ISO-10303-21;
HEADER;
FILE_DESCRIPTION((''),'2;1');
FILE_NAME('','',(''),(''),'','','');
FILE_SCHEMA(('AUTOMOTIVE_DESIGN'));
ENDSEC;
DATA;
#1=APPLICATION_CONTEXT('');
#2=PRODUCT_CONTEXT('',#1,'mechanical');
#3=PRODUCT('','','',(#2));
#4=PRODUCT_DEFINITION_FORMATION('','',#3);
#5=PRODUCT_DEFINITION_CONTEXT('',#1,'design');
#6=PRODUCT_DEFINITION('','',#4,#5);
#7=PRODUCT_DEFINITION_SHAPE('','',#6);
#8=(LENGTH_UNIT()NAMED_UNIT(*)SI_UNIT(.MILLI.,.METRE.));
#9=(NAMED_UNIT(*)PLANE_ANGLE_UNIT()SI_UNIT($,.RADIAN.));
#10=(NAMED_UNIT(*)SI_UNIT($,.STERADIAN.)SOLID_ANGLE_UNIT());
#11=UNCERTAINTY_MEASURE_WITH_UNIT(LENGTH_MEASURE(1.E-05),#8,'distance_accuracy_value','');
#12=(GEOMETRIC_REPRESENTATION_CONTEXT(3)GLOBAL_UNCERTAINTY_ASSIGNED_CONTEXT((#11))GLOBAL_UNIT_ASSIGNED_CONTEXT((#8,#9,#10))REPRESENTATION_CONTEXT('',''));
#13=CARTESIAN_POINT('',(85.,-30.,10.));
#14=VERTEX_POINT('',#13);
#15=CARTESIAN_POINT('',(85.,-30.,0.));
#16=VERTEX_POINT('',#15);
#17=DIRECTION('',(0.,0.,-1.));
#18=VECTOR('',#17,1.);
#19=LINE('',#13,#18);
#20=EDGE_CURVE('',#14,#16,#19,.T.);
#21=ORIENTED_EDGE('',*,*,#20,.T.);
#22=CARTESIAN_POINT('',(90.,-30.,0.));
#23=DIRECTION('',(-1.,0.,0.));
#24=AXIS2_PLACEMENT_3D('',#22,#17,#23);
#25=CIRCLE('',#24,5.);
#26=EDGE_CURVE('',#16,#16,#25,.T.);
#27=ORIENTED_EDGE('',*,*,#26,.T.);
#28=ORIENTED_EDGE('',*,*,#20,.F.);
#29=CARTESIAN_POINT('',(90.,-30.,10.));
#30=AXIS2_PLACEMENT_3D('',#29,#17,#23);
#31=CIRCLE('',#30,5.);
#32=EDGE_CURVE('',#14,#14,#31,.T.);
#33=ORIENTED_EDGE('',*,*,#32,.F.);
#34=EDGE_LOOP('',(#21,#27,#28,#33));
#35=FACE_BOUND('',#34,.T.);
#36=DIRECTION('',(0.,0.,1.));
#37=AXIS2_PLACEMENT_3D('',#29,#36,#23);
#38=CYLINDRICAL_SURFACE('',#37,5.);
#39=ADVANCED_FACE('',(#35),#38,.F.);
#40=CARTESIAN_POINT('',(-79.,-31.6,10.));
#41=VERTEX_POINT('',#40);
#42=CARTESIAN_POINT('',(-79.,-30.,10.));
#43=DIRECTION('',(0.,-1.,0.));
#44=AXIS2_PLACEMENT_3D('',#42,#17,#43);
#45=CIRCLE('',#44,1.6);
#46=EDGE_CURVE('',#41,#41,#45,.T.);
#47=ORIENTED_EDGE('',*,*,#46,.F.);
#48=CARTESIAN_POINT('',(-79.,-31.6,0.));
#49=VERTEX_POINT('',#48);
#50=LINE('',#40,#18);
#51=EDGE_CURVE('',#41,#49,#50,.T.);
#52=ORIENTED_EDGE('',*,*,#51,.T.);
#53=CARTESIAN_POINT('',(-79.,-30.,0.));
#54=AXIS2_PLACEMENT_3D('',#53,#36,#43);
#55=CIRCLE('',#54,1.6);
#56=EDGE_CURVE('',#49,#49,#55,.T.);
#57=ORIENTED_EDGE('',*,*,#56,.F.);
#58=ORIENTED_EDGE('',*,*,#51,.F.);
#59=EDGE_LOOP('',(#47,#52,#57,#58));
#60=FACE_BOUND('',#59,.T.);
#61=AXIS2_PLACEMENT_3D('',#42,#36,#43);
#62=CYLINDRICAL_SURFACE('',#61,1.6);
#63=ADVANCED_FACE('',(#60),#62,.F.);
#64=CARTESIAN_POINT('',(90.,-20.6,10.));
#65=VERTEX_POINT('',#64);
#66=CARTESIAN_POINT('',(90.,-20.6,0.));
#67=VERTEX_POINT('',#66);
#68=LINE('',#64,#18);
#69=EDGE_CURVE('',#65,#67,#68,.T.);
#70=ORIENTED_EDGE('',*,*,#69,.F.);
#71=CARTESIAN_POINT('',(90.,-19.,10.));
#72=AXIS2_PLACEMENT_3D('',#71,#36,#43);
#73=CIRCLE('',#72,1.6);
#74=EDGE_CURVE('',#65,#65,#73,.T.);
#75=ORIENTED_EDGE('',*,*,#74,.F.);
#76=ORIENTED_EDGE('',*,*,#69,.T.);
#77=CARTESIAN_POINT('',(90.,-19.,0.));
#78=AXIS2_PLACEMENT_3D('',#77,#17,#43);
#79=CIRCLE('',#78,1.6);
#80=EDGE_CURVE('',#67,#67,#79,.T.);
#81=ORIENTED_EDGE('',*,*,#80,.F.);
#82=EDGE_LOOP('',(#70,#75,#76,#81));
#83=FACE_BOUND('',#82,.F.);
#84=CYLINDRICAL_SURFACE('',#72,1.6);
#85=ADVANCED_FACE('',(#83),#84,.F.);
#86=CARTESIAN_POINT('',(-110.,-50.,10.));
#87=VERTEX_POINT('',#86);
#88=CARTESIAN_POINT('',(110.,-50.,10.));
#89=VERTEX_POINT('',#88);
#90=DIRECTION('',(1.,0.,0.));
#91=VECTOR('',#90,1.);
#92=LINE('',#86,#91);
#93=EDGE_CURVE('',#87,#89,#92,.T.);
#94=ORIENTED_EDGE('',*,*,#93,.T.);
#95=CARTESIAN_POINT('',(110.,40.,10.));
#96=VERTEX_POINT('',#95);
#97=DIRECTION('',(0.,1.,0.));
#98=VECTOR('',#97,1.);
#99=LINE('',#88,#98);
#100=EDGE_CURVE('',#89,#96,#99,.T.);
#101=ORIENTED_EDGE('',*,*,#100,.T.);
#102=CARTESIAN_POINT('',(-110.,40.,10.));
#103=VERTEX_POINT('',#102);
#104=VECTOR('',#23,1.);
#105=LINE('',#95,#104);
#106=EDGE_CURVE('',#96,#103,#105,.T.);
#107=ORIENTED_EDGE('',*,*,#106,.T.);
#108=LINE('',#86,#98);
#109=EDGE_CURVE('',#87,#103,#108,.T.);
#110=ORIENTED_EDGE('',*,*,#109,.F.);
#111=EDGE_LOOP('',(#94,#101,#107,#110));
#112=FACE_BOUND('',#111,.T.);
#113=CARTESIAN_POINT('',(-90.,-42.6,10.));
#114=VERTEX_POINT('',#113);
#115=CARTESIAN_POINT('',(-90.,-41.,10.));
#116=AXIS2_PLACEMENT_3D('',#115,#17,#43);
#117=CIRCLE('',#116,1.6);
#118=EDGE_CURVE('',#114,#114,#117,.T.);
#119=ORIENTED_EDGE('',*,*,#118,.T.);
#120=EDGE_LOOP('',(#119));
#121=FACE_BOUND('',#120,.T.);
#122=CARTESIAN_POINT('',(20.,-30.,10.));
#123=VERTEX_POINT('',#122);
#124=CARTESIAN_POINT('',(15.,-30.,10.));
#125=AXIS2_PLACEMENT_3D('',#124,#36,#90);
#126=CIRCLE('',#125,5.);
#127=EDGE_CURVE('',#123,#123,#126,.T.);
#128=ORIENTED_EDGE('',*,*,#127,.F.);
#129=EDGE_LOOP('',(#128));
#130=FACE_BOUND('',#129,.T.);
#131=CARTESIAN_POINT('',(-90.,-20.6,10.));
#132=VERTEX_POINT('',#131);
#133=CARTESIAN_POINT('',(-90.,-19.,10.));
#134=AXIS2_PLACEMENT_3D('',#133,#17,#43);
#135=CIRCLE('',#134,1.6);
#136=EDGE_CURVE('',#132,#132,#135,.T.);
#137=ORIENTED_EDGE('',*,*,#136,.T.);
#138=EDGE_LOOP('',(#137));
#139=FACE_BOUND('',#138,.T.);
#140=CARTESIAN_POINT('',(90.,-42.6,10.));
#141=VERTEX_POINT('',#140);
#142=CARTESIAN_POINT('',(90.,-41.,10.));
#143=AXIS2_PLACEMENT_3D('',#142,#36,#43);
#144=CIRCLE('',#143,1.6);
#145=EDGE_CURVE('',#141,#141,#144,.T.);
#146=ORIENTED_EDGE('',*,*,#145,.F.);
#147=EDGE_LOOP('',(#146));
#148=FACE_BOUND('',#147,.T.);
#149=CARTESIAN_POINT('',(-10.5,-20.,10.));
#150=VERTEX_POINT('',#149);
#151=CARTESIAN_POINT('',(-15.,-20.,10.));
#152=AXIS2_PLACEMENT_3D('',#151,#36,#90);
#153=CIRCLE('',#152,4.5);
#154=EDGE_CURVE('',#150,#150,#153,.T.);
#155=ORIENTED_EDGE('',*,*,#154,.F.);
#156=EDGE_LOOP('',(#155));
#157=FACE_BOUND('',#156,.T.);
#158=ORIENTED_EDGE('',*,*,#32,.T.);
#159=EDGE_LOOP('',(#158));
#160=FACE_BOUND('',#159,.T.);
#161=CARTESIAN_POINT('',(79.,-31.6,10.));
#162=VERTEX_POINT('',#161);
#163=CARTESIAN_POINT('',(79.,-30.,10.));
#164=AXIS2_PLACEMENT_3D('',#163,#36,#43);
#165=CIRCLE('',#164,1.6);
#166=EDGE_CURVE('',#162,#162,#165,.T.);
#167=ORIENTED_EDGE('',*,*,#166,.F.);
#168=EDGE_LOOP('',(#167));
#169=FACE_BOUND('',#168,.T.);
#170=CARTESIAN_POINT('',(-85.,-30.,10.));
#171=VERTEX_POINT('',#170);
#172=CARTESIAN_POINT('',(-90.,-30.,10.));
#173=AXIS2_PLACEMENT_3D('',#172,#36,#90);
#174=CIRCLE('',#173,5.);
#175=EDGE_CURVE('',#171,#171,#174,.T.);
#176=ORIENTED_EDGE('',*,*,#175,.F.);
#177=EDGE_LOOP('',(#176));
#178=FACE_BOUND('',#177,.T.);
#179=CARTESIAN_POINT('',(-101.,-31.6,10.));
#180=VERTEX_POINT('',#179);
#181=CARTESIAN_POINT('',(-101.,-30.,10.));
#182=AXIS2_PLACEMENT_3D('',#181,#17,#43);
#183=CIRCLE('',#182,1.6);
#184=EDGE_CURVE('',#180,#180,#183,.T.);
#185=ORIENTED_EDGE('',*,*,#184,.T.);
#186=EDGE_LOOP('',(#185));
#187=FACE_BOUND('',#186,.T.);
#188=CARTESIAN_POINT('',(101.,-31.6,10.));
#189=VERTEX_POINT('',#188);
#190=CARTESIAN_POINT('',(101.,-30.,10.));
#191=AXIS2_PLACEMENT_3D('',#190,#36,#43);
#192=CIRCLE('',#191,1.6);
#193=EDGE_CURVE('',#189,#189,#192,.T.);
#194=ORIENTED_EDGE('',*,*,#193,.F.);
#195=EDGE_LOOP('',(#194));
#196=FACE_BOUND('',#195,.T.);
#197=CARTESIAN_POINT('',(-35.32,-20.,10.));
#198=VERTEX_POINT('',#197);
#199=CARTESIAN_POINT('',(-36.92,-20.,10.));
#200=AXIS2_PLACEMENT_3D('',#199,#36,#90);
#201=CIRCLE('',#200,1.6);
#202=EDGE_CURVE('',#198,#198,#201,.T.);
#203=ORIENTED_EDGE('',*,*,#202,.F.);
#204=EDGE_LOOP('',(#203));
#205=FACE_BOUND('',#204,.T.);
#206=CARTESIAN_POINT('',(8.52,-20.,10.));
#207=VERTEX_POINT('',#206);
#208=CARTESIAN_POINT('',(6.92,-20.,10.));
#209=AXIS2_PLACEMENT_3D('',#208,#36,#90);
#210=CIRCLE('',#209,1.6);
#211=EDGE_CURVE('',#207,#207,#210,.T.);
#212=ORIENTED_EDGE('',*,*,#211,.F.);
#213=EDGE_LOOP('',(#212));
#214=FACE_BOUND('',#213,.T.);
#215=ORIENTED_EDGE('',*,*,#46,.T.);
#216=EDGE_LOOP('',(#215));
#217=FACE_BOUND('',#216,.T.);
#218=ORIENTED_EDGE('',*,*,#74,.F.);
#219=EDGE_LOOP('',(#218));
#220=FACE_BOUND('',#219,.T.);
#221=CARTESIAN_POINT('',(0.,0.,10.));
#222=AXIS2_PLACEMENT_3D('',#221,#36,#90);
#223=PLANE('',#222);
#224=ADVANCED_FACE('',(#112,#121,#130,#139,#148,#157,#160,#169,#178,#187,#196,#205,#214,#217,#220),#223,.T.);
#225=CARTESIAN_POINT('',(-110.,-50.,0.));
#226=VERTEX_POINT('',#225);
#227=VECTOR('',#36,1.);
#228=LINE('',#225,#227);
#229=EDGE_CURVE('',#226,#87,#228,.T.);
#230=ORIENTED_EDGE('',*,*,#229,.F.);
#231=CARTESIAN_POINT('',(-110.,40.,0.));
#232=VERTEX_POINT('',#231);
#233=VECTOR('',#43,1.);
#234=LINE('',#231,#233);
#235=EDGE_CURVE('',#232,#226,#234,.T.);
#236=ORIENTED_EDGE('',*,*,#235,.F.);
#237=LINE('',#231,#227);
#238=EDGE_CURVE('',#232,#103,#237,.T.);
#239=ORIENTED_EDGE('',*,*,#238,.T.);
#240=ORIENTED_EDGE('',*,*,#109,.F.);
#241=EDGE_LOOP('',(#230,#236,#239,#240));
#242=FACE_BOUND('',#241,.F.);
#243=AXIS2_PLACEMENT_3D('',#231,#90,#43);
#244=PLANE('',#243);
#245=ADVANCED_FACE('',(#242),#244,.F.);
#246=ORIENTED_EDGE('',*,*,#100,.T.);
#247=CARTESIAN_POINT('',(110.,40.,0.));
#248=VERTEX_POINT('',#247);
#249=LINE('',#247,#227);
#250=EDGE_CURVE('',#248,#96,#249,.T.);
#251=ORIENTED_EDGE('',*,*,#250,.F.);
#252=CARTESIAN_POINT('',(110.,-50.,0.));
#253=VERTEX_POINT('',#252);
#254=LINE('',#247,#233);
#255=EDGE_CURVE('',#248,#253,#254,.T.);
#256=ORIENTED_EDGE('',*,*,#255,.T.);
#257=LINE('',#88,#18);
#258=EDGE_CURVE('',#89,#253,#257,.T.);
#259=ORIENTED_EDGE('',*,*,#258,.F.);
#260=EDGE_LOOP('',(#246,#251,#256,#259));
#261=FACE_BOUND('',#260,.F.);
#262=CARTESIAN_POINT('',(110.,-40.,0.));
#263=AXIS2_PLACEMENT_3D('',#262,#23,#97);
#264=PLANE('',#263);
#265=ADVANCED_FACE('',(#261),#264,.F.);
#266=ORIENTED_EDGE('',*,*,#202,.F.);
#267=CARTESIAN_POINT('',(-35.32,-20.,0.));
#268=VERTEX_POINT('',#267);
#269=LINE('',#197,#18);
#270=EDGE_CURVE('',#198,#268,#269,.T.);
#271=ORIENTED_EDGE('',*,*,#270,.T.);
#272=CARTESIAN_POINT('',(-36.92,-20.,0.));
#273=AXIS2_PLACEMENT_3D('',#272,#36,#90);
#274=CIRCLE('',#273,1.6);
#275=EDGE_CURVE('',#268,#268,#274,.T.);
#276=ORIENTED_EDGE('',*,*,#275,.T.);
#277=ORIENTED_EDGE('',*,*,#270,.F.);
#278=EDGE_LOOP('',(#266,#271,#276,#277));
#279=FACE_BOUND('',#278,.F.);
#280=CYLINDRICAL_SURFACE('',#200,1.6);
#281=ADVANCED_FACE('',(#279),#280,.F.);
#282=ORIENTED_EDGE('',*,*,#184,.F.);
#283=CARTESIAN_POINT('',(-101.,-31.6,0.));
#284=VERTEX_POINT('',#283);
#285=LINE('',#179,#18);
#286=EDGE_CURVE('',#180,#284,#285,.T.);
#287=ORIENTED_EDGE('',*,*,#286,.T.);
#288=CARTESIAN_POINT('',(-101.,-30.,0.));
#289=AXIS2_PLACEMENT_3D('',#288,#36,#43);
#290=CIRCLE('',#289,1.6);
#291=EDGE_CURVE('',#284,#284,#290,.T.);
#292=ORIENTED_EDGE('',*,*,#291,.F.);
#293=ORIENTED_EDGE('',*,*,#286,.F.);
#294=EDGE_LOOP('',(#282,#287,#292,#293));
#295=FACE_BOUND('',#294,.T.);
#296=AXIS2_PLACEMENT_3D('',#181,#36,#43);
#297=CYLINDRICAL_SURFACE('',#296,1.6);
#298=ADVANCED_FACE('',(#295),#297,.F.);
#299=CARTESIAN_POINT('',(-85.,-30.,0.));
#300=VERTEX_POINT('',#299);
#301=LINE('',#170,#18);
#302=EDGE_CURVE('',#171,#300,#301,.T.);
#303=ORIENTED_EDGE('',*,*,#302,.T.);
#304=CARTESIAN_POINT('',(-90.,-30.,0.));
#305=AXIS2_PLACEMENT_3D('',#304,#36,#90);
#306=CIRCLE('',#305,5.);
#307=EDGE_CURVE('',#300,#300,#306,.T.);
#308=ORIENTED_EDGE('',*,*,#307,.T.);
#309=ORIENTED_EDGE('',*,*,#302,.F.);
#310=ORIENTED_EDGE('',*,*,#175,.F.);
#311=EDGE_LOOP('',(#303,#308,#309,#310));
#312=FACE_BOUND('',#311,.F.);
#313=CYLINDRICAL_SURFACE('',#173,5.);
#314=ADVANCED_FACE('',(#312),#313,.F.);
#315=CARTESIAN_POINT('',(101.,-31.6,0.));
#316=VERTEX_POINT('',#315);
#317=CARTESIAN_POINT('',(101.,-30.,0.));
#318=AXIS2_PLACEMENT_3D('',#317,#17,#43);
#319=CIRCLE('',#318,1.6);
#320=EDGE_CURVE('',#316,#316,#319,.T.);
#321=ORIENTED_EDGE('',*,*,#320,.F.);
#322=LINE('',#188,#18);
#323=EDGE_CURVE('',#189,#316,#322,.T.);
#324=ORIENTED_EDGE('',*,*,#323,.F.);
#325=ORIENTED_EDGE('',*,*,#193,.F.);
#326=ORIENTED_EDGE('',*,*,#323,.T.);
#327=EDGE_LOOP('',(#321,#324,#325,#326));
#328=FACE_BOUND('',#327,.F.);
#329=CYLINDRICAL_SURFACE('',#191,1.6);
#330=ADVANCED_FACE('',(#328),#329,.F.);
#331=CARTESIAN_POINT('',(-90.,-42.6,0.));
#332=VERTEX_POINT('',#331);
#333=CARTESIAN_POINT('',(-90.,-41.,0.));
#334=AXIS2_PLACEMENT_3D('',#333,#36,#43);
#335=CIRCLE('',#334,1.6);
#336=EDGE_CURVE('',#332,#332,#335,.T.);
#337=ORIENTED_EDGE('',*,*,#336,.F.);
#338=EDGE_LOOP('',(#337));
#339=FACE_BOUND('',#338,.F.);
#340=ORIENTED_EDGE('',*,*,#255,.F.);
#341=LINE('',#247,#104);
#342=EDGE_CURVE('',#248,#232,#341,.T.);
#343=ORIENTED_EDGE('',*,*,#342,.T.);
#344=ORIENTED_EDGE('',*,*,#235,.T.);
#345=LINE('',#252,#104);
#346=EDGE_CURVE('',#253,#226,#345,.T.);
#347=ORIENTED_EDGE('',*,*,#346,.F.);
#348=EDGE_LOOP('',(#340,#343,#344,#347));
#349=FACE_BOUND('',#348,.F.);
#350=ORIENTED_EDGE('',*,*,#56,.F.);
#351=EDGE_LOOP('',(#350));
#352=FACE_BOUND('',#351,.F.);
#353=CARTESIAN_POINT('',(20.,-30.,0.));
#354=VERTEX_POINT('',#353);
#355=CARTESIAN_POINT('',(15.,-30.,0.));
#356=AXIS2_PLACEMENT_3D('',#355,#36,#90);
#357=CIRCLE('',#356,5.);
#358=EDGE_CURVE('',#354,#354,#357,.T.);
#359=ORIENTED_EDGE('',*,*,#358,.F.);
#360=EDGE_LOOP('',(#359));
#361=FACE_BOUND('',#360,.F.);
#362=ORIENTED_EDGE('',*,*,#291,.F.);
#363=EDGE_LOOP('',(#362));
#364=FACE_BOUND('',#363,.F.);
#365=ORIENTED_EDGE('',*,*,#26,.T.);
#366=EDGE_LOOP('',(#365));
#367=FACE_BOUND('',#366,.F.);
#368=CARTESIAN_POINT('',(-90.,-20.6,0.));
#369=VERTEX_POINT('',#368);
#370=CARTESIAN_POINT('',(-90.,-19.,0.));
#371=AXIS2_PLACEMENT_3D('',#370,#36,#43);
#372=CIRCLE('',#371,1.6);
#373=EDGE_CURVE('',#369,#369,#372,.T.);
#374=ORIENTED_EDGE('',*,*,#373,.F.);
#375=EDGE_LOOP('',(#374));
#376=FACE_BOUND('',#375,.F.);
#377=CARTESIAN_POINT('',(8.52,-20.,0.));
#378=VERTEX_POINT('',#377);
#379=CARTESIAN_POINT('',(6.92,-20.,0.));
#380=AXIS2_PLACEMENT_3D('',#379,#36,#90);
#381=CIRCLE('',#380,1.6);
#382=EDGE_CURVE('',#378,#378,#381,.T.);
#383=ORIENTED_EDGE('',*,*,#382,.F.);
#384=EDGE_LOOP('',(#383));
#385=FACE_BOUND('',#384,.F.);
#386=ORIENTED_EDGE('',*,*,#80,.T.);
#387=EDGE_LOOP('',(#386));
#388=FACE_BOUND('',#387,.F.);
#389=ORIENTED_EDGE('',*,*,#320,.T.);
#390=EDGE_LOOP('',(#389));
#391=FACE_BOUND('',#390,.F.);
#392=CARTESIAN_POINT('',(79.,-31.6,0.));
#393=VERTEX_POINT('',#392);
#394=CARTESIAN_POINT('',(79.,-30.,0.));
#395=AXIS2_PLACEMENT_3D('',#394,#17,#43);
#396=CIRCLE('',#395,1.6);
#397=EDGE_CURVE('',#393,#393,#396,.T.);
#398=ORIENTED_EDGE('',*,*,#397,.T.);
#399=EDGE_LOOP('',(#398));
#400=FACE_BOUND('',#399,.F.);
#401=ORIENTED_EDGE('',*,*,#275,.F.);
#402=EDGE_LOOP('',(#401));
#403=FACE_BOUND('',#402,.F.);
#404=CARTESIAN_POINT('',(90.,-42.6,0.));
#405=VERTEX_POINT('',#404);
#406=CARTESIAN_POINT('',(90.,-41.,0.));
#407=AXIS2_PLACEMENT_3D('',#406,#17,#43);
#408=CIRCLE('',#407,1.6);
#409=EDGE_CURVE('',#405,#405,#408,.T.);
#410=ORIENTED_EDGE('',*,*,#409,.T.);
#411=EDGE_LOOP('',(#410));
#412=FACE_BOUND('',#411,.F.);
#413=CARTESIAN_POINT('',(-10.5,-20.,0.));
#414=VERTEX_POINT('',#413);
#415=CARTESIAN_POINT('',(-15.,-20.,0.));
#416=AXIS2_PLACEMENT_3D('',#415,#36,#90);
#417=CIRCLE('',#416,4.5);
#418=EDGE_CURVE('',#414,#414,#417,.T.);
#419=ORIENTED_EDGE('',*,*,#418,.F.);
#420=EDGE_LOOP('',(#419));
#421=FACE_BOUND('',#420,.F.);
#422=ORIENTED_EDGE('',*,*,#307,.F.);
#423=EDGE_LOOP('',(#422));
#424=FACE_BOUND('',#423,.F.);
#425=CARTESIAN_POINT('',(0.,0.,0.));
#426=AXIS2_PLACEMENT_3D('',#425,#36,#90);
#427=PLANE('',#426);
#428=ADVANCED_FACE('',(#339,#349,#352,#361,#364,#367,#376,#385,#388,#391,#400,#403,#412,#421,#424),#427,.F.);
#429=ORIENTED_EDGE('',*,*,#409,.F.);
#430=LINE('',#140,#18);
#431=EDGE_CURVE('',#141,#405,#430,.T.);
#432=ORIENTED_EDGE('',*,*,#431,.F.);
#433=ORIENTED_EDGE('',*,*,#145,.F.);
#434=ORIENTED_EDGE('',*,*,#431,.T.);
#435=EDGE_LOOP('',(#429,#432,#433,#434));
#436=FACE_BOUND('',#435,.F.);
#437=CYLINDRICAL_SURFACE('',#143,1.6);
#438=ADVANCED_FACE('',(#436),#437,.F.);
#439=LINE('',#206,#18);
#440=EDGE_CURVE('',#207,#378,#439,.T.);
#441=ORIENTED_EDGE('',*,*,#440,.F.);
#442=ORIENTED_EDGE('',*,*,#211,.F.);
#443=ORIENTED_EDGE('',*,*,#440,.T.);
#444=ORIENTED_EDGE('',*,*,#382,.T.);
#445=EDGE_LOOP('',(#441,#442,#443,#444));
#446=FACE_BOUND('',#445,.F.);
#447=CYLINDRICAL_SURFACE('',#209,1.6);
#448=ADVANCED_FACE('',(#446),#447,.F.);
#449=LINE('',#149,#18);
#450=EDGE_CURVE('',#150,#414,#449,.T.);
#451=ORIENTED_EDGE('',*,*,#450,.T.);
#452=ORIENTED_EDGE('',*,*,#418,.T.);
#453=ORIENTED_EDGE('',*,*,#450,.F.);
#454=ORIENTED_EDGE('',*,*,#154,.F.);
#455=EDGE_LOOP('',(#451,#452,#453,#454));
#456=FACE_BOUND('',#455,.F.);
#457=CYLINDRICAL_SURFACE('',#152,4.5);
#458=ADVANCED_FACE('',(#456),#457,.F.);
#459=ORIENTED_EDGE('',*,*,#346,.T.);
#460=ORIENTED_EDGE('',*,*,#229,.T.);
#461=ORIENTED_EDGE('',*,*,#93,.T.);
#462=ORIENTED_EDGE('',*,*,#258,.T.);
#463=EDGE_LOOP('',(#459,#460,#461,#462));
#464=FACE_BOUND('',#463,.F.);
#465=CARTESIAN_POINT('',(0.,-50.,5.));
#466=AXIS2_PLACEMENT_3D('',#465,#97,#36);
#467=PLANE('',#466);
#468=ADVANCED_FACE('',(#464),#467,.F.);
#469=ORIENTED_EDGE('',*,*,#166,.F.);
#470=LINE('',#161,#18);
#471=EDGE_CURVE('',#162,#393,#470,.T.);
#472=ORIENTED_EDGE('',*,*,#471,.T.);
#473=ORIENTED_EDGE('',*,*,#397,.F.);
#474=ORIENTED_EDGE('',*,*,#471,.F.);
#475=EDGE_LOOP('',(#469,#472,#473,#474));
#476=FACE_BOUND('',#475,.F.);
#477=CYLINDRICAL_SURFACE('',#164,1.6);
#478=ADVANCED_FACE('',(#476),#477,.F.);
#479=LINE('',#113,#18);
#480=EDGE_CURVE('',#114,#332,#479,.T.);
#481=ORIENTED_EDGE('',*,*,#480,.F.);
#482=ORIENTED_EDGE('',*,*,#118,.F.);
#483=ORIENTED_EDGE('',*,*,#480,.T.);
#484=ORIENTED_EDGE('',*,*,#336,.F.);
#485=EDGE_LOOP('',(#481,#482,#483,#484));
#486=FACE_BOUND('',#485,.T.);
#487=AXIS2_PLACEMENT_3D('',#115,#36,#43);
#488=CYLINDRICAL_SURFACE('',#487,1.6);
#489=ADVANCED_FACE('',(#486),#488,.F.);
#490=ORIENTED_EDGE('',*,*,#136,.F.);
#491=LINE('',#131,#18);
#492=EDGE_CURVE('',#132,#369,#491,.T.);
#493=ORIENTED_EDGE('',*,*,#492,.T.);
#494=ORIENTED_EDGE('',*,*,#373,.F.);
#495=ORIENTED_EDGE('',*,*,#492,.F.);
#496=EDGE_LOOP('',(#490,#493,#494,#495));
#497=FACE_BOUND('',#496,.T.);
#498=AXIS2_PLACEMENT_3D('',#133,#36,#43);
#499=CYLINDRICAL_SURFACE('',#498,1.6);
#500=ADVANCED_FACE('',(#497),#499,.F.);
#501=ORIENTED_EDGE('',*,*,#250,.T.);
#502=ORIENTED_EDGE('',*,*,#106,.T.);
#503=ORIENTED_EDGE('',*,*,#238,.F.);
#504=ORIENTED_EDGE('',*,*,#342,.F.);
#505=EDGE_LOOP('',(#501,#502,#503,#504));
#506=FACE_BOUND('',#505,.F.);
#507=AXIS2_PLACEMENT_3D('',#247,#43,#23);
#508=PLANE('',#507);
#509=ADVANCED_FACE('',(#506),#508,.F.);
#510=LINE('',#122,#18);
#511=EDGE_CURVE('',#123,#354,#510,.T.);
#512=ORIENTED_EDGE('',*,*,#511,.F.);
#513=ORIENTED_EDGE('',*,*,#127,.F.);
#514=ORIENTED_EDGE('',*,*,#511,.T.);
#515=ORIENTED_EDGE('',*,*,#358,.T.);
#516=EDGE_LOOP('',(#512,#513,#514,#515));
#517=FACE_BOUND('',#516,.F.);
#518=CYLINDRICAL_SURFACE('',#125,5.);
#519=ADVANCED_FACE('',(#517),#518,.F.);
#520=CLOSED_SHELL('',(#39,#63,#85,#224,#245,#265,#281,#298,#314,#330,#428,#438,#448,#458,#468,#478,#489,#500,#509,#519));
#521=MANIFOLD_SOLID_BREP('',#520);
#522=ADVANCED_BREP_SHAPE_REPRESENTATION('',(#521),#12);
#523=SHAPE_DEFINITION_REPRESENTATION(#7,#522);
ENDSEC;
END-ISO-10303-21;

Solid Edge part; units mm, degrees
sketch "Sketch1" plane through (0, 0, 0) normal (0, 0, 1) x (1, 0, 0)
  line L0 (-110, -40) -> (110, -40)
  line L1 (110, -40) -> (110, 40)
  line L2 (110, 40) -> (-110, 40)
  line L3 (-110, 40) -> (-110, -40)
  dimension "D1" = 220
  dimension "D2" = 80
extrude "Protrusion1" add sketch "Sketch1" along normal blind 10
sketch "Sketch2" plane through (0, 0, 10) normal (0, 0, 1) x (1, 0, 0)
  circle A0 centre (15, -30) radius 5
  dimension "D1" = 75
  dimension "D2" = 10
extrude "Cutout1" cut sketch "Sketch2" against normal through all
sketch "Sketch3" plane through (0, 0, 10) normal (0, 0, 1) x (1, 0, 0)
  circle A0 centre (-15, -20) radius 4.5
  circle A1 centre (-36.92, -20) radius 1.6
  circle A2 centre (6.92, -20) radius 1.6
  dimension "D1" = 30
  dimension "D2" = 10
  dimension "D3" = 9
  dimension "D4" = 43.84
  dimension "D5" = 3.2
  dimension "D6" = 3.2
extrude "Cutout2" cut sketch "Sketch3" against normal up to next
sketch "Sketch4" plane through (0, -40, 5) normal (0, -1, 0) x (1, 0, 0)
  line L0 (-110, 5) -> (110, 5)
  line L1 (110, 5) -> (110, -5)
  line L2 (110, -5) -> (-110, -5)
  line L3 (-110, -5) -> (-110, 5)
extrude "Extrusionsausprägung_2" add sketch "Sketch4" along normal blind 10
sketch "Sketch5" plane through (0, -5, 10) normal (0, 0, 1) x (1, 0, 0)
  circle A0 centre (-90, -25) radius 5
  dimension "D1" = 90
  dimension "D2" = 20
  dimension "D3" = 10
extrude "Cutout3" cut sketch "Sketch5" against normal up to next
hole "Bohrung_1" at (-90, -41, 10) direction (0, 0, -1) diameter 3.2 end up to next
hole "Hole1" at (-101, -30, 10) direction (0, 0, -1) diameter 3.2 end up to next
hole "Hole2" at (-79, -30, 10) direction (0, 0, -1) diameter 3.2 end up to next
hole "Hole3" at (-90, -19, 10) direction (0, 0, -1) diameter 3.2 end up to next
mirror "Mirror1" about plane through (0, 0, 0) normal (1, 0, 0) of "Cutout3", "Bohrung_1", "Hole1", "Hole2", "Hole3"
properties material "Nylon, allgemein"
